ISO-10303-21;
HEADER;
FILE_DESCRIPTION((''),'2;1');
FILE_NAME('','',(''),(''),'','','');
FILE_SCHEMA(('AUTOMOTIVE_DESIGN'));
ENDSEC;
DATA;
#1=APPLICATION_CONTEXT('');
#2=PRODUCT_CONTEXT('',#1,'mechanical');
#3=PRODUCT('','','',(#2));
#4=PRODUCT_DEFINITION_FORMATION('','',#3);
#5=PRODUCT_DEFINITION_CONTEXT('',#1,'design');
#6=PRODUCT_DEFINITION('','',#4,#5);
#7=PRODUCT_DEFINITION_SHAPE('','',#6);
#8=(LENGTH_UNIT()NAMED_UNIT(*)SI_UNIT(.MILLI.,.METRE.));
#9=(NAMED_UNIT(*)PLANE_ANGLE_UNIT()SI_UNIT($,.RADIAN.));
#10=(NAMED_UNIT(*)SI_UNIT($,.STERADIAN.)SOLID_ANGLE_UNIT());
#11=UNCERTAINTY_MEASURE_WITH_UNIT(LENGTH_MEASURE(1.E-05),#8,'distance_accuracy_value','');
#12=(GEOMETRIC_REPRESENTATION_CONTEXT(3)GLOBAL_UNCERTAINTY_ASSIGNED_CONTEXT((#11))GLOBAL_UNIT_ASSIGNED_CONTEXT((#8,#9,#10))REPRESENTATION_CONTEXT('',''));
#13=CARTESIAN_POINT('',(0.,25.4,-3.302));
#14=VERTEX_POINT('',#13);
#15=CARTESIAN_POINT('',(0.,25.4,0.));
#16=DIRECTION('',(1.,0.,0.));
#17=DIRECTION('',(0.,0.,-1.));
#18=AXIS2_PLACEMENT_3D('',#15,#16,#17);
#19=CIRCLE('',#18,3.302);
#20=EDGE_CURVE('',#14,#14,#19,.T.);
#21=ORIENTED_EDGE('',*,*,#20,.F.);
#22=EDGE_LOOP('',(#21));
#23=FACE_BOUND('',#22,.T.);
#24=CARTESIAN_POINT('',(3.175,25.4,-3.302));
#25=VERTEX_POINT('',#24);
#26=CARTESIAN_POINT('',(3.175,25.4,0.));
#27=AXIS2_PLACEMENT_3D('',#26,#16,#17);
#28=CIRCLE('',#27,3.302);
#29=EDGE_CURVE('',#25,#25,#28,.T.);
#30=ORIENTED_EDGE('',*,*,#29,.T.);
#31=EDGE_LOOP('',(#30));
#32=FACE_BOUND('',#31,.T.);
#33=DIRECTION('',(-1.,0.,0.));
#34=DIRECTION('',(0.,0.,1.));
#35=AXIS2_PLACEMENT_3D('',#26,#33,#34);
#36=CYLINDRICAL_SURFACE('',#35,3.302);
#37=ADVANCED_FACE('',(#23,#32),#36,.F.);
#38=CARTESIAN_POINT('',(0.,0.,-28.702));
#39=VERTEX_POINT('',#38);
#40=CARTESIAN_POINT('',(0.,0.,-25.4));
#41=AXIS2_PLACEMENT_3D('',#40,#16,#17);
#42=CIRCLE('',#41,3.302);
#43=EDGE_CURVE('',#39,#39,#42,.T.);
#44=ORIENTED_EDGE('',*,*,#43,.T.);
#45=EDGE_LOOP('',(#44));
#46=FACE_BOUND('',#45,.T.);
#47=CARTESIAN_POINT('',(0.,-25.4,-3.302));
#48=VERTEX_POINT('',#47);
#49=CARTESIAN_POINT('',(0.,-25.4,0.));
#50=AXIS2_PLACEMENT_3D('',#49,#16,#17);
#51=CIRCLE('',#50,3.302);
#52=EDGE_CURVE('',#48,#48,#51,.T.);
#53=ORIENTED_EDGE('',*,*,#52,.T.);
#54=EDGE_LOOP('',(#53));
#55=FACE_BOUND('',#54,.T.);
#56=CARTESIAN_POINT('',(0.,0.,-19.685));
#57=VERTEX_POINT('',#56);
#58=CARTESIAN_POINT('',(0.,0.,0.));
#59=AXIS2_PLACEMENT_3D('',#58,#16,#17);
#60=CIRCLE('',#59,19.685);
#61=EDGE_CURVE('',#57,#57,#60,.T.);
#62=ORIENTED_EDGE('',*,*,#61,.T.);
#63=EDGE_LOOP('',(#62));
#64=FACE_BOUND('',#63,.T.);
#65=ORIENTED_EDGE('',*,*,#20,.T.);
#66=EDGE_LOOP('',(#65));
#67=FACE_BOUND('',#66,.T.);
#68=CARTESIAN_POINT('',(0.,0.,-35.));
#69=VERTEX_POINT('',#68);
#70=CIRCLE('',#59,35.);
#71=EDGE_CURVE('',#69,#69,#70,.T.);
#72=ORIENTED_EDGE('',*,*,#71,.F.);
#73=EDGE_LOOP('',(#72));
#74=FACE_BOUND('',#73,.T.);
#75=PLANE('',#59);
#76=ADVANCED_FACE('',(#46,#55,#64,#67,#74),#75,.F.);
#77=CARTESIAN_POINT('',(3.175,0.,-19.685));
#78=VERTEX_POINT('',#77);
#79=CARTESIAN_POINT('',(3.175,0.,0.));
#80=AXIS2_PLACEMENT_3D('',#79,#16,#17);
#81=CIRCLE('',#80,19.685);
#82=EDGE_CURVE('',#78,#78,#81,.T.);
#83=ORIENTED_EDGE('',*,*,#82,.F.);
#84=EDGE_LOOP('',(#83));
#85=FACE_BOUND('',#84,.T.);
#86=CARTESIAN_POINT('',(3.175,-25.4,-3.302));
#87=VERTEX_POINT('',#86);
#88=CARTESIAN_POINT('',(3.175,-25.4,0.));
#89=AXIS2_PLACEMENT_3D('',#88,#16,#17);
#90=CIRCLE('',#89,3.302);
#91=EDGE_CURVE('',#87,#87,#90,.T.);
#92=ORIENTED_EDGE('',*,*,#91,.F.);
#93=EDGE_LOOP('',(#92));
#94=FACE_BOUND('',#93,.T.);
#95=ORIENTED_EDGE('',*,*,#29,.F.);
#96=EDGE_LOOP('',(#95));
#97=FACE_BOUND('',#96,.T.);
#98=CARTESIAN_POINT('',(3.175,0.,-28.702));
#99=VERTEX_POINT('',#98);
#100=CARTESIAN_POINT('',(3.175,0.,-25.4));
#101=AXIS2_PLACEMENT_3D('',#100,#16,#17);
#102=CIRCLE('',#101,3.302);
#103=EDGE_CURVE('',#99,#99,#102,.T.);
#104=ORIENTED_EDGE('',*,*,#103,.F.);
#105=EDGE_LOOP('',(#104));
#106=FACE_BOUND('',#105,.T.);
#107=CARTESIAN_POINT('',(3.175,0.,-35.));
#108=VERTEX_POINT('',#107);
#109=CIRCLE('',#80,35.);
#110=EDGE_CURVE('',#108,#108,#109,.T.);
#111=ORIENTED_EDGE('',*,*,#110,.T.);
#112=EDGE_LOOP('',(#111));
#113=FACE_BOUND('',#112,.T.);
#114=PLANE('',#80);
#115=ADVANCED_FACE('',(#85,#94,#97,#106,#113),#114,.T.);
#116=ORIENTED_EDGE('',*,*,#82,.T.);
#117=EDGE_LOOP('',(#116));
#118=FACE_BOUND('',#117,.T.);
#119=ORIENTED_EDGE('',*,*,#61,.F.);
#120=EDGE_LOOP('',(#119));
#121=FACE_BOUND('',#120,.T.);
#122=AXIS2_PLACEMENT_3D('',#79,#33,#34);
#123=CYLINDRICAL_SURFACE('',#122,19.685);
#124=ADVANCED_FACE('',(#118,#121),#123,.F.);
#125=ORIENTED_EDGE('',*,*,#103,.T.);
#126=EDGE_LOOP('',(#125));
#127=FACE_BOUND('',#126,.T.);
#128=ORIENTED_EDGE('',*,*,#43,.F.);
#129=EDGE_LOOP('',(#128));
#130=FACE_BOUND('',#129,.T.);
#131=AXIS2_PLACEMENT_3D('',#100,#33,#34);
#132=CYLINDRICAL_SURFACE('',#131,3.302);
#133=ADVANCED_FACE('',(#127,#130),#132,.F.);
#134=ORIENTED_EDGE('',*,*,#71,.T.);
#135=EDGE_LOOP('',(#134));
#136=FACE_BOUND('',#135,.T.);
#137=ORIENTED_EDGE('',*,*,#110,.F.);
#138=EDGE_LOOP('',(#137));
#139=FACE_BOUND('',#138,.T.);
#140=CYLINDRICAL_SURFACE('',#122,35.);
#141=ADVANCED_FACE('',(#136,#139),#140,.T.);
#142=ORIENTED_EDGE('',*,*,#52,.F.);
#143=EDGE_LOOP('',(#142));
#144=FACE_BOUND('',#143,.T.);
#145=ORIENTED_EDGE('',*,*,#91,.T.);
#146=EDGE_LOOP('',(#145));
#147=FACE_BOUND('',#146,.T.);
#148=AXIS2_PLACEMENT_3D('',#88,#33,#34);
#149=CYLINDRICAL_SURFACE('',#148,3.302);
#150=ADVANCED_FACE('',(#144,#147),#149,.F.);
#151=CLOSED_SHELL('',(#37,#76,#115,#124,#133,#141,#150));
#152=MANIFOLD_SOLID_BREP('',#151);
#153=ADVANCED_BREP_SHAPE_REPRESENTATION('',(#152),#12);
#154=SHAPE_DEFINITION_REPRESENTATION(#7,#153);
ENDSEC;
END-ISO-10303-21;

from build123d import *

# Parameters (mm, degrees)
SKETCH1_R           = 35
SKETCH1_R_2         = 19.685
SKETCH1_R_3         = 3.302
BOSS_EXTRUDE1_DEPTH = 3.175


with BuildPart() as part:
    # Sketch1 → Boss-Extrude1 (new body)
    with BuildSketch(Plane(origin=(0, 0, 0), x_dir=(0, 0, -1), z_dir=(1, 0, 0))):
        Circle(SKETCH1_R)
        Circle(SKETCH1_R_2, mode=Mode.SUBTRACT)
        with Locations((0, 25.4)):
            Circle(SKETCH1_R_3, mode=Mode.SUBTRACT)
        with Locations((25.4, 0)):
            Circle(SKETCH1_R_3, mode=Mode.SUBTRACT)
        with Locations((0, -25.4)):
            Circle(SKETCH1_R_3, mode=Mode.SUBTRACT)
    extrude(amount=BOSS_EXTRUDE1_DEPTH)


solid = part.part
